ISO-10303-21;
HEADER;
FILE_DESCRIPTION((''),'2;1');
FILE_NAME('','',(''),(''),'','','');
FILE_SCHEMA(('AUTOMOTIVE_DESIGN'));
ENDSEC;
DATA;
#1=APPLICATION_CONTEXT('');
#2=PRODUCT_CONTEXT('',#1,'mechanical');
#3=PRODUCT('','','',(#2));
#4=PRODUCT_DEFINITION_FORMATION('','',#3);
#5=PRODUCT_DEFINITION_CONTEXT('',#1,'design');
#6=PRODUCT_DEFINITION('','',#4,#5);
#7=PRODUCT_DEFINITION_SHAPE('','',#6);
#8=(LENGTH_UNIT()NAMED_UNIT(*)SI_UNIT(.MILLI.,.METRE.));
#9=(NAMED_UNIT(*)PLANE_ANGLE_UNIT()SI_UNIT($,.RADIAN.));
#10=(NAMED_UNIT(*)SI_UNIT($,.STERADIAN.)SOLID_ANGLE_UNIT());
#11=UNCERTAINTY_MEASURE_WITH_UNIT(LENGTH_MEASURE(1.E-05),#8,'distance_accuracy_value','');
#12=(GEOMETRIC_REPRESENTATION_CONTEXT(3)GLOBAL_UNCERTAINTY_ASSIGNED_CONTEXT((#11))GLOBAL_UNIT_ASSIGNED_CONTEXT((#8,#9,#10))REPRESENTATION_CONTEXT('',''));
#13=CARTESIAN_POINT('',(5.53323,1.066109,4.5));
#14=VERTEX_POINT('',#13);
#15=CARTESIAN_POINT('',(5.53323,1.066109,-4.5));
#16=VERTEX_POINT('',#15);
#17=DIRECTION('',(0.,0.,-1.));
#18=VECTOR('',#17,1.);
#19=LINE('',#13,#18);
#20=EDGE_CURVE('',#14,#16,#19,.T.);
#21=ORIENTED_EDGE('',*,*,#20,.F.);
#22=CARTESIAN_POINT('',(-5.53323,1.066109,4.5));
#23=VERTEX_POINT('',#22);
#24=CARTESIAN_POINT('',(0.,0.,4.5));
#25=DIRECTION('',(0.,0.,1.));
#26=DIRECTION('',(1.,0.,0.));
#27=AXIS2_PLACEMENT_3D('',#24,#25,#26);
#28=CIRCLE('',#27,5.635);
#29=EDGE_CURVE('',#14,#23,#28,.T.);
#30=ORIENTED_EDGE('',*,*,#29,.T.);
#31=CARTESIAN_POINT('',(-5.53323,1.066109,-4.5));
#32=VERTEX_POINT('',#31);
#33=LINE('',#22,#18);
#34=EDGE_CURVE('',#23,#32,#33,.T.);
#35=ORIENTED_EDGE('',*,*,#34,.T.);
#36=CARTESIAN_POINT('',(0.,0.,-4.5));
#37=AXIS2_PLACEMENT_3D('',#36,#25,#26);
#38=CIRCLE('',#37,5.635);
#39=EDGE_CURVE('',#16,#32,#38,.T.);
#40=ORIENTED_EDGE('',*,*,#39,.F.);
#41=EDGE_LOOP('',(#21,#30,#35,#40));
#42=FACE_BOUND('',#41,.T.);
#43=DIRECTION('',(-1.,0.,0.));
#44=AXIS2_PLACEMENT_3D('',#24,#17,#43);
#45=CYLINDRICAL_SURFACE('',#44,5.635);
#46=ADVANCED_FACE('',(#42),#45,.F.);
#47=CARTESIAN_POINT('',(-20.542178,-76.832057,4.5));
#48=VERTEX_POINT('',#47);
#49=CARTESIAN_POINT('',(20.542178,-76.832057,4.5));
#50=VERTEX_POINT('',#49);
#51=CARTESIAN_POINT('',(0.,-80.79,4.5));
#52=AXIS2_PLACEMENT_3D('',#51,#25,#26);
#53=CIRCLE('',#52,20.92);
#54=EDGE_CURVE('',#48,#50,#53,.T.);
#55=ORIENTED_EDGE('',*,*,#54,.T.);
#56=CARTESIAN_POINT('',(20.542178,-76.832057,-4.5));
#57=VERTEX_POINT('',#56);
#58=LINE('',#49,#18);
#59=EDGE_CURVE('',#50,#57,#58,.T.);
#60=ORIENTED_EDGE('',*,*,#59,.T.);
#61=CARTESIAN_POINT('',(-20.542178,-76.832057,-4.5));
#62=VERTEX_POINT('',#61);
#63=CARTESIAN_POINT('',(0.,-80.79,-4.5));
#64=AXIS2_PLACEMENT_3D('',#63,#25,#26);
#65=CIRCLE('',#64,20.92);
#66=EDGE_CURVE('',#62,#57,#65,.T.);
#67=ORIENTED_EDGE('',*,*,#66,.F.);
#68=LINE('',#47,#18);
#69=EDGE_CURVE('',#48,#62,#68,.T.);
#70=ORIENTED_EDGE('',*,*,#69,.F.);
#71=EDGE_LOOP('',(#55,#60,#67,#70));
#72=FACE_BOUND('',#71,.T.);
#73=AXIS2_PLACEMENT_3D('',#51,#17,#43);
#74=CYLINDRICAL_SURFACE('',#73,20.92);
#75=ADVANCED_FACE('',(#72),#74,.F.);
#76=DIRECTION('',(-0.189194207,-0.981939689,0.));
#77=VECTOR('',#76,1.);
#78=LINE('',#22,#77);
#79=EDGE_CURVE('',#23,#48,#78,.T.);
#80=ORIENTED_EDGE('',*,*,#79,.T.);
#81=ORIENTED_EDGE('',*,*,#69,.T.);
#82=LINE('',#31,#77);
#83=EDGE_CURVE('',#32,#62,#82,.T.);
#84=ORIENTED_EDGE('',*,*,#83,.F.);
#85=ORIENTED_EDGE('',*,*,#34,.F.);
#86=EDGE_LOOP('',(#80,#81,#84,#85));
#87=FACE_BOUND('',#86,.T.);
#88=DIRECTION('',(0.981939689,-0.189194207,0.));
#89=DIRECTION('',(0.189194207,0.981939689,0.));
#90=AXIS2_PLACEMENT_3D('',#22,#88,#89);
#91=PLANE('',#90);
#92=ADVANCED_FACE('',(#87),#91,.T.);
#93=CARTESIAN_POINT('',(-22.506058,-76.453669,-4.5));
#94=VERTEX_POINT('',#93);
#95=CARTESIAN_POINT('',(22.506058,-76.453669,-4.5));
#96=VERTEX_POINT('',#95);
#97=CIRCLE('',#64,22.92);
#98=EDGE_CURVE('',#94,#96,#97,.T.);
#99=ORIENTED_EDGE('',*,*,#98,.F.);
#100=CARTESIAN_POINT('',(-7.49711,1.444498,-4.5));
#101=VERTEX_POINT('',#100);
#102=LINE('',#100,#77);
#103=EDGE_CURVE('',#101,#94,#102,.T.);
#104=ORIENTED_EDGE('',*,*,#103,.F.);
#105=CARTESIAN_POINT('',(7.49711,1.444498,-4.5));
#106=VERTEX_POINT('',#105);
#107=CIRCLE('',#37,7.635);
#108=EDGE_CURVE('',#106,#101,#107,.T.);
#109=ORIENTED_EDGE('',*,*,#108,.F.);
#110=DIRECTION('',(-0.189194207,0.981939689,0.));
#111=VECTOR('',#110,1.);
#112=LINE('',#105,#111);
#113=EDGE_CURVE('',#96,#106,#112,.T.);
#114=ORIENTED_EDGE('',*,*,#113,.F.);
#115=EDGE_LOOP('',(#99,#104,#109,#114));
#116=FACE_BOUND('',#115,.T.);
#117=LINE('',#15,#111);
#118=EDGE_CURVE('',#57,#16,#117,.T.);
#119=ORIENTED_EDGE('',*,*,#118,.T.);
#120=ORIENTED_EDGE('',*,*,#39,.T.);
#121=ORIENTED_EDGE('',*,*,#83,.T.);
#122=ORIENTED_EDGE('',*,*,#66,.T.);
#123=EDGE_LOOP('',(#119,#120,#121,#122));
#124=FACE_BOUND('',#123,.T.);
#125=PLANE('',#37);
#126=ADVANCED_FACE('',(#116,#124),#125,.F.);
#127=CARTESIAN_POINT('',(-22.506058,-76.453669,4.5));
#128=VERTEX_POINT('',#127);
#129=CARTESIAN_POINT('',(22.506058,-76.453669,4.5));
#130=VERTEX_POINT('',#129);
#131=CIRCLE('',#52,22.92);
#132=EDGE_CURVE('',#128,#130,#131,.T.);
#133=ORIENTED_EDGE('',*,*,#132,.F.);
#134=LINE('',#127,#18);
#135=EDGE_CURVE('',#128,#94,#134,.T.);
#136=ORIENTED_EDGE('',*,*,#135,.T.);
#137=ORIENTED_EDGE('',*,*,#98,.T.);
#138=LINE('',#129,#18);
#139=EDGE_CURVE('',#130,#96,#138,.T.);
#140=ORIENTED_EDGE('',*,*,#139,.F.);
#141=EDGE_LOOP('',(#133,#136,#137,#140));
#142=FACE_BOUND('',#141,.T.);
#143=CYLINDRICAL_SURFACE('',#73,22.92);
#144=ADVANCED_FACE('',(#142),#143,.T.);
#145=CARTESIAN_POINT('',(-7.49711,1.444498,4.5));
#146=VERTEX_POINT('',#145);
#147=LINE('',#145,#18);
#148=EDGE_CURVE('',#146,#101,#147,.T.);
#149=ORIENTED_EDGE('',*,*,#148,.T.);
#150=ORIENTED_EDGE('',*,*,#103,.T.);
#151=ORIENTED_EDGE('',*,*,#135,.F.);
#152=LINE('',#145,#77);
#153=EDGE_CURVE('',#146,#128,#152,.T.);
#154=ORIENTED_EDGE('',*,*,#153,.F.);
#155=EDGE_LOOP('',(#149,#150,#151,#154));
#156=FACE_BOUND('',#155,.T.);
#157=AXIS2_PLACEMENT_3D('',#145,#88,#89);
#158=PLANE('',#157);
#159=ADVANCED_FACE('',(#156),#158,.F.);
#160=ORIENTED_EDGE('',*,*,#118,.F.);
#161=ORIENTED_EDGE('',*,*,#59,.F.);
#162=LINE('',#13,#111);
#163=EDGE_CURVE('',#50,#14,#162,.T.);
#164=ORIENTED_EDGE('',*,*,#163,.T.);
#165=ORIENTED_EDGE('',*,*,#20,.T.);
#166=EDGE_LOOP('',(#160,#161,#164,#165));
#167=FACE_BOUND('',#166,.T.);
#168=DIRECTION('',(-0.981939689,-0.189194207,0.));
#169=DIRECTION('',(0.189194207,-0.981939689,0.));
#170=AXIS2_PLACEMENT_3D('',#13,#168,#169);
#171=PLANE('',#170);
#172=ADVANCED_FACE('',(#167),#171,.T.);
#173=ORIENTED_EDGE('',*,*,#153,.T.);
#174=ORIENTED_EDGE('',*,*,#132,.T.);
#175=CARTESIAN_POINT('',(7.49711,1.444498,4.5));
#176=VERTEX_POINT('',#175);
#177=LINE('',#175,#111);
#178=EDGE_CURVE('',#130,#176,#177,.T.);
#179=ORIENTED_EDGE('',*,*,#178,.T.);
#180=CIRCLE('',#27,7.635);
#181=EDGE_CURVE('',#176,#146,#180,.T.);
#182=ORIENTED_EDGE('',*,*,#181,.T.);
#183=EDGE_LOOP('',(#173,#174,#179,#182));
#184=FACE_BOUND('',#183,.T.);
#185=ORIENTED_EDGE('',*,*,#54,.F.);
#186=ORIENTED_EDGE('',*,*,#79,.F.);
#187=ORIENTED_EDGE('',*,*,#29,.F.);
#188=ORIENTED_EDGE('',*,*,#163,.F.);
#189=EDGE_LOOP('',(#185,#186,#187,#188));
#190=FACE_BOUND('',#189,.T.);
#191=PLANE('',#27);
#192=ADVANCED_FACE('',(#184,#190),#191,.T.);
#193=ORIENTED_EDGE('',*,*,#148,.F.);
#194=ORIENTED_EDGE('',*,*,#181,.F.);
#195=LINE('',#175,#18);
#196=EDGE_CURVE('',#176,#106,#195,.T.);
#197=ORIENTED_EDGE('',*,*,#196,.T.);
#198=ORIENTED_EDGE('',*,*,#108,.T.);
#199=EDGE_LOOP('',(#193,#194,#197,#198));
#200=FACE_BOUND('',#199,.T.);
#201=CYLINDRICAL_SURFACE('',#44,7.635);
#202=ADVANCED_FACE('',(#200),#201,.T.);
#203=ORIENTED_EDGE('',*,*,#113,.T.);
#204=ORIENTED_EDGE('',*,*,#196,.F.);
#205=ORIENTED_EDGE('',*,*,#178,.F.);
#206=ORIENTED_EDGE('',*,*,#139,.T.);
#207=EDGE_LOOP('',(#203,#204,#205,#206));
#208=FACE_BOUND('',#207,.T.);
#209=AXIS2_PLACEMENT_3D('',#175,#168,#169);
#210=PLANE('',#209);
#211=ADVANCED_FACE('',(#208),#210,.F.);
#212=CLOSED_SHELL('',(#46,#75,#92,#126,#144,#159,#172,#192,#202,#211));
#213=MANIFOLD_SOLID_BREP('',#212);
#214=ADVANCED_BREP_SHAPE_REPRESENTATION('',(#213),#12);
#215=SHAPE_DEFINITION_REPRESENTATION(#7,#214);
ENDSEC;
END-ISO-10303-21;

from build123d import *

# Parameters (mm, degrees)
EXTRUDE_THIN1_DEPTH = 4.5


with BuildPart() as part:
    # Sketch1 → Extrude-Thin1 (new body, symmetric)
    with BuildSketch(Plane.XY):
        with BuildLine():
            Line((22.506057662, -76.453668771), (7.497109522, 1.444497772))
            ThreePointArc((7.497109522, 1.444497772), (0, 7.635), (-7.497109522, 1.444497772))
            Line((-7.497109522, 1.444497772), (-22.506057662, -76.453668771))
            ThreePointArc((-22.506057662, -76.453668771), (0, -103.71), (22.506057662, -76.453668771))
        make_face()
        with BuildLine():
            Line((20.542178285, -76.832057185), (5.533230145, 1.066109358))
            ThreePointArc((5.533230145, 1.066109358), (0, 5.635), (-5.533230145, 1.066109358))
            Line((-5.533230145, 1.066109358), (-20.542178285, -76.832057185))
            ThreePointArc((-20.542178285, -76.832057185), (0, -101.71), (20.542178285, -76.832057185))
        make_face(mode=Mode.SUBTRACT)
    extrude(amount=EXTRUDE_THIN1_DEPTH, both=True)


solid = part.part
